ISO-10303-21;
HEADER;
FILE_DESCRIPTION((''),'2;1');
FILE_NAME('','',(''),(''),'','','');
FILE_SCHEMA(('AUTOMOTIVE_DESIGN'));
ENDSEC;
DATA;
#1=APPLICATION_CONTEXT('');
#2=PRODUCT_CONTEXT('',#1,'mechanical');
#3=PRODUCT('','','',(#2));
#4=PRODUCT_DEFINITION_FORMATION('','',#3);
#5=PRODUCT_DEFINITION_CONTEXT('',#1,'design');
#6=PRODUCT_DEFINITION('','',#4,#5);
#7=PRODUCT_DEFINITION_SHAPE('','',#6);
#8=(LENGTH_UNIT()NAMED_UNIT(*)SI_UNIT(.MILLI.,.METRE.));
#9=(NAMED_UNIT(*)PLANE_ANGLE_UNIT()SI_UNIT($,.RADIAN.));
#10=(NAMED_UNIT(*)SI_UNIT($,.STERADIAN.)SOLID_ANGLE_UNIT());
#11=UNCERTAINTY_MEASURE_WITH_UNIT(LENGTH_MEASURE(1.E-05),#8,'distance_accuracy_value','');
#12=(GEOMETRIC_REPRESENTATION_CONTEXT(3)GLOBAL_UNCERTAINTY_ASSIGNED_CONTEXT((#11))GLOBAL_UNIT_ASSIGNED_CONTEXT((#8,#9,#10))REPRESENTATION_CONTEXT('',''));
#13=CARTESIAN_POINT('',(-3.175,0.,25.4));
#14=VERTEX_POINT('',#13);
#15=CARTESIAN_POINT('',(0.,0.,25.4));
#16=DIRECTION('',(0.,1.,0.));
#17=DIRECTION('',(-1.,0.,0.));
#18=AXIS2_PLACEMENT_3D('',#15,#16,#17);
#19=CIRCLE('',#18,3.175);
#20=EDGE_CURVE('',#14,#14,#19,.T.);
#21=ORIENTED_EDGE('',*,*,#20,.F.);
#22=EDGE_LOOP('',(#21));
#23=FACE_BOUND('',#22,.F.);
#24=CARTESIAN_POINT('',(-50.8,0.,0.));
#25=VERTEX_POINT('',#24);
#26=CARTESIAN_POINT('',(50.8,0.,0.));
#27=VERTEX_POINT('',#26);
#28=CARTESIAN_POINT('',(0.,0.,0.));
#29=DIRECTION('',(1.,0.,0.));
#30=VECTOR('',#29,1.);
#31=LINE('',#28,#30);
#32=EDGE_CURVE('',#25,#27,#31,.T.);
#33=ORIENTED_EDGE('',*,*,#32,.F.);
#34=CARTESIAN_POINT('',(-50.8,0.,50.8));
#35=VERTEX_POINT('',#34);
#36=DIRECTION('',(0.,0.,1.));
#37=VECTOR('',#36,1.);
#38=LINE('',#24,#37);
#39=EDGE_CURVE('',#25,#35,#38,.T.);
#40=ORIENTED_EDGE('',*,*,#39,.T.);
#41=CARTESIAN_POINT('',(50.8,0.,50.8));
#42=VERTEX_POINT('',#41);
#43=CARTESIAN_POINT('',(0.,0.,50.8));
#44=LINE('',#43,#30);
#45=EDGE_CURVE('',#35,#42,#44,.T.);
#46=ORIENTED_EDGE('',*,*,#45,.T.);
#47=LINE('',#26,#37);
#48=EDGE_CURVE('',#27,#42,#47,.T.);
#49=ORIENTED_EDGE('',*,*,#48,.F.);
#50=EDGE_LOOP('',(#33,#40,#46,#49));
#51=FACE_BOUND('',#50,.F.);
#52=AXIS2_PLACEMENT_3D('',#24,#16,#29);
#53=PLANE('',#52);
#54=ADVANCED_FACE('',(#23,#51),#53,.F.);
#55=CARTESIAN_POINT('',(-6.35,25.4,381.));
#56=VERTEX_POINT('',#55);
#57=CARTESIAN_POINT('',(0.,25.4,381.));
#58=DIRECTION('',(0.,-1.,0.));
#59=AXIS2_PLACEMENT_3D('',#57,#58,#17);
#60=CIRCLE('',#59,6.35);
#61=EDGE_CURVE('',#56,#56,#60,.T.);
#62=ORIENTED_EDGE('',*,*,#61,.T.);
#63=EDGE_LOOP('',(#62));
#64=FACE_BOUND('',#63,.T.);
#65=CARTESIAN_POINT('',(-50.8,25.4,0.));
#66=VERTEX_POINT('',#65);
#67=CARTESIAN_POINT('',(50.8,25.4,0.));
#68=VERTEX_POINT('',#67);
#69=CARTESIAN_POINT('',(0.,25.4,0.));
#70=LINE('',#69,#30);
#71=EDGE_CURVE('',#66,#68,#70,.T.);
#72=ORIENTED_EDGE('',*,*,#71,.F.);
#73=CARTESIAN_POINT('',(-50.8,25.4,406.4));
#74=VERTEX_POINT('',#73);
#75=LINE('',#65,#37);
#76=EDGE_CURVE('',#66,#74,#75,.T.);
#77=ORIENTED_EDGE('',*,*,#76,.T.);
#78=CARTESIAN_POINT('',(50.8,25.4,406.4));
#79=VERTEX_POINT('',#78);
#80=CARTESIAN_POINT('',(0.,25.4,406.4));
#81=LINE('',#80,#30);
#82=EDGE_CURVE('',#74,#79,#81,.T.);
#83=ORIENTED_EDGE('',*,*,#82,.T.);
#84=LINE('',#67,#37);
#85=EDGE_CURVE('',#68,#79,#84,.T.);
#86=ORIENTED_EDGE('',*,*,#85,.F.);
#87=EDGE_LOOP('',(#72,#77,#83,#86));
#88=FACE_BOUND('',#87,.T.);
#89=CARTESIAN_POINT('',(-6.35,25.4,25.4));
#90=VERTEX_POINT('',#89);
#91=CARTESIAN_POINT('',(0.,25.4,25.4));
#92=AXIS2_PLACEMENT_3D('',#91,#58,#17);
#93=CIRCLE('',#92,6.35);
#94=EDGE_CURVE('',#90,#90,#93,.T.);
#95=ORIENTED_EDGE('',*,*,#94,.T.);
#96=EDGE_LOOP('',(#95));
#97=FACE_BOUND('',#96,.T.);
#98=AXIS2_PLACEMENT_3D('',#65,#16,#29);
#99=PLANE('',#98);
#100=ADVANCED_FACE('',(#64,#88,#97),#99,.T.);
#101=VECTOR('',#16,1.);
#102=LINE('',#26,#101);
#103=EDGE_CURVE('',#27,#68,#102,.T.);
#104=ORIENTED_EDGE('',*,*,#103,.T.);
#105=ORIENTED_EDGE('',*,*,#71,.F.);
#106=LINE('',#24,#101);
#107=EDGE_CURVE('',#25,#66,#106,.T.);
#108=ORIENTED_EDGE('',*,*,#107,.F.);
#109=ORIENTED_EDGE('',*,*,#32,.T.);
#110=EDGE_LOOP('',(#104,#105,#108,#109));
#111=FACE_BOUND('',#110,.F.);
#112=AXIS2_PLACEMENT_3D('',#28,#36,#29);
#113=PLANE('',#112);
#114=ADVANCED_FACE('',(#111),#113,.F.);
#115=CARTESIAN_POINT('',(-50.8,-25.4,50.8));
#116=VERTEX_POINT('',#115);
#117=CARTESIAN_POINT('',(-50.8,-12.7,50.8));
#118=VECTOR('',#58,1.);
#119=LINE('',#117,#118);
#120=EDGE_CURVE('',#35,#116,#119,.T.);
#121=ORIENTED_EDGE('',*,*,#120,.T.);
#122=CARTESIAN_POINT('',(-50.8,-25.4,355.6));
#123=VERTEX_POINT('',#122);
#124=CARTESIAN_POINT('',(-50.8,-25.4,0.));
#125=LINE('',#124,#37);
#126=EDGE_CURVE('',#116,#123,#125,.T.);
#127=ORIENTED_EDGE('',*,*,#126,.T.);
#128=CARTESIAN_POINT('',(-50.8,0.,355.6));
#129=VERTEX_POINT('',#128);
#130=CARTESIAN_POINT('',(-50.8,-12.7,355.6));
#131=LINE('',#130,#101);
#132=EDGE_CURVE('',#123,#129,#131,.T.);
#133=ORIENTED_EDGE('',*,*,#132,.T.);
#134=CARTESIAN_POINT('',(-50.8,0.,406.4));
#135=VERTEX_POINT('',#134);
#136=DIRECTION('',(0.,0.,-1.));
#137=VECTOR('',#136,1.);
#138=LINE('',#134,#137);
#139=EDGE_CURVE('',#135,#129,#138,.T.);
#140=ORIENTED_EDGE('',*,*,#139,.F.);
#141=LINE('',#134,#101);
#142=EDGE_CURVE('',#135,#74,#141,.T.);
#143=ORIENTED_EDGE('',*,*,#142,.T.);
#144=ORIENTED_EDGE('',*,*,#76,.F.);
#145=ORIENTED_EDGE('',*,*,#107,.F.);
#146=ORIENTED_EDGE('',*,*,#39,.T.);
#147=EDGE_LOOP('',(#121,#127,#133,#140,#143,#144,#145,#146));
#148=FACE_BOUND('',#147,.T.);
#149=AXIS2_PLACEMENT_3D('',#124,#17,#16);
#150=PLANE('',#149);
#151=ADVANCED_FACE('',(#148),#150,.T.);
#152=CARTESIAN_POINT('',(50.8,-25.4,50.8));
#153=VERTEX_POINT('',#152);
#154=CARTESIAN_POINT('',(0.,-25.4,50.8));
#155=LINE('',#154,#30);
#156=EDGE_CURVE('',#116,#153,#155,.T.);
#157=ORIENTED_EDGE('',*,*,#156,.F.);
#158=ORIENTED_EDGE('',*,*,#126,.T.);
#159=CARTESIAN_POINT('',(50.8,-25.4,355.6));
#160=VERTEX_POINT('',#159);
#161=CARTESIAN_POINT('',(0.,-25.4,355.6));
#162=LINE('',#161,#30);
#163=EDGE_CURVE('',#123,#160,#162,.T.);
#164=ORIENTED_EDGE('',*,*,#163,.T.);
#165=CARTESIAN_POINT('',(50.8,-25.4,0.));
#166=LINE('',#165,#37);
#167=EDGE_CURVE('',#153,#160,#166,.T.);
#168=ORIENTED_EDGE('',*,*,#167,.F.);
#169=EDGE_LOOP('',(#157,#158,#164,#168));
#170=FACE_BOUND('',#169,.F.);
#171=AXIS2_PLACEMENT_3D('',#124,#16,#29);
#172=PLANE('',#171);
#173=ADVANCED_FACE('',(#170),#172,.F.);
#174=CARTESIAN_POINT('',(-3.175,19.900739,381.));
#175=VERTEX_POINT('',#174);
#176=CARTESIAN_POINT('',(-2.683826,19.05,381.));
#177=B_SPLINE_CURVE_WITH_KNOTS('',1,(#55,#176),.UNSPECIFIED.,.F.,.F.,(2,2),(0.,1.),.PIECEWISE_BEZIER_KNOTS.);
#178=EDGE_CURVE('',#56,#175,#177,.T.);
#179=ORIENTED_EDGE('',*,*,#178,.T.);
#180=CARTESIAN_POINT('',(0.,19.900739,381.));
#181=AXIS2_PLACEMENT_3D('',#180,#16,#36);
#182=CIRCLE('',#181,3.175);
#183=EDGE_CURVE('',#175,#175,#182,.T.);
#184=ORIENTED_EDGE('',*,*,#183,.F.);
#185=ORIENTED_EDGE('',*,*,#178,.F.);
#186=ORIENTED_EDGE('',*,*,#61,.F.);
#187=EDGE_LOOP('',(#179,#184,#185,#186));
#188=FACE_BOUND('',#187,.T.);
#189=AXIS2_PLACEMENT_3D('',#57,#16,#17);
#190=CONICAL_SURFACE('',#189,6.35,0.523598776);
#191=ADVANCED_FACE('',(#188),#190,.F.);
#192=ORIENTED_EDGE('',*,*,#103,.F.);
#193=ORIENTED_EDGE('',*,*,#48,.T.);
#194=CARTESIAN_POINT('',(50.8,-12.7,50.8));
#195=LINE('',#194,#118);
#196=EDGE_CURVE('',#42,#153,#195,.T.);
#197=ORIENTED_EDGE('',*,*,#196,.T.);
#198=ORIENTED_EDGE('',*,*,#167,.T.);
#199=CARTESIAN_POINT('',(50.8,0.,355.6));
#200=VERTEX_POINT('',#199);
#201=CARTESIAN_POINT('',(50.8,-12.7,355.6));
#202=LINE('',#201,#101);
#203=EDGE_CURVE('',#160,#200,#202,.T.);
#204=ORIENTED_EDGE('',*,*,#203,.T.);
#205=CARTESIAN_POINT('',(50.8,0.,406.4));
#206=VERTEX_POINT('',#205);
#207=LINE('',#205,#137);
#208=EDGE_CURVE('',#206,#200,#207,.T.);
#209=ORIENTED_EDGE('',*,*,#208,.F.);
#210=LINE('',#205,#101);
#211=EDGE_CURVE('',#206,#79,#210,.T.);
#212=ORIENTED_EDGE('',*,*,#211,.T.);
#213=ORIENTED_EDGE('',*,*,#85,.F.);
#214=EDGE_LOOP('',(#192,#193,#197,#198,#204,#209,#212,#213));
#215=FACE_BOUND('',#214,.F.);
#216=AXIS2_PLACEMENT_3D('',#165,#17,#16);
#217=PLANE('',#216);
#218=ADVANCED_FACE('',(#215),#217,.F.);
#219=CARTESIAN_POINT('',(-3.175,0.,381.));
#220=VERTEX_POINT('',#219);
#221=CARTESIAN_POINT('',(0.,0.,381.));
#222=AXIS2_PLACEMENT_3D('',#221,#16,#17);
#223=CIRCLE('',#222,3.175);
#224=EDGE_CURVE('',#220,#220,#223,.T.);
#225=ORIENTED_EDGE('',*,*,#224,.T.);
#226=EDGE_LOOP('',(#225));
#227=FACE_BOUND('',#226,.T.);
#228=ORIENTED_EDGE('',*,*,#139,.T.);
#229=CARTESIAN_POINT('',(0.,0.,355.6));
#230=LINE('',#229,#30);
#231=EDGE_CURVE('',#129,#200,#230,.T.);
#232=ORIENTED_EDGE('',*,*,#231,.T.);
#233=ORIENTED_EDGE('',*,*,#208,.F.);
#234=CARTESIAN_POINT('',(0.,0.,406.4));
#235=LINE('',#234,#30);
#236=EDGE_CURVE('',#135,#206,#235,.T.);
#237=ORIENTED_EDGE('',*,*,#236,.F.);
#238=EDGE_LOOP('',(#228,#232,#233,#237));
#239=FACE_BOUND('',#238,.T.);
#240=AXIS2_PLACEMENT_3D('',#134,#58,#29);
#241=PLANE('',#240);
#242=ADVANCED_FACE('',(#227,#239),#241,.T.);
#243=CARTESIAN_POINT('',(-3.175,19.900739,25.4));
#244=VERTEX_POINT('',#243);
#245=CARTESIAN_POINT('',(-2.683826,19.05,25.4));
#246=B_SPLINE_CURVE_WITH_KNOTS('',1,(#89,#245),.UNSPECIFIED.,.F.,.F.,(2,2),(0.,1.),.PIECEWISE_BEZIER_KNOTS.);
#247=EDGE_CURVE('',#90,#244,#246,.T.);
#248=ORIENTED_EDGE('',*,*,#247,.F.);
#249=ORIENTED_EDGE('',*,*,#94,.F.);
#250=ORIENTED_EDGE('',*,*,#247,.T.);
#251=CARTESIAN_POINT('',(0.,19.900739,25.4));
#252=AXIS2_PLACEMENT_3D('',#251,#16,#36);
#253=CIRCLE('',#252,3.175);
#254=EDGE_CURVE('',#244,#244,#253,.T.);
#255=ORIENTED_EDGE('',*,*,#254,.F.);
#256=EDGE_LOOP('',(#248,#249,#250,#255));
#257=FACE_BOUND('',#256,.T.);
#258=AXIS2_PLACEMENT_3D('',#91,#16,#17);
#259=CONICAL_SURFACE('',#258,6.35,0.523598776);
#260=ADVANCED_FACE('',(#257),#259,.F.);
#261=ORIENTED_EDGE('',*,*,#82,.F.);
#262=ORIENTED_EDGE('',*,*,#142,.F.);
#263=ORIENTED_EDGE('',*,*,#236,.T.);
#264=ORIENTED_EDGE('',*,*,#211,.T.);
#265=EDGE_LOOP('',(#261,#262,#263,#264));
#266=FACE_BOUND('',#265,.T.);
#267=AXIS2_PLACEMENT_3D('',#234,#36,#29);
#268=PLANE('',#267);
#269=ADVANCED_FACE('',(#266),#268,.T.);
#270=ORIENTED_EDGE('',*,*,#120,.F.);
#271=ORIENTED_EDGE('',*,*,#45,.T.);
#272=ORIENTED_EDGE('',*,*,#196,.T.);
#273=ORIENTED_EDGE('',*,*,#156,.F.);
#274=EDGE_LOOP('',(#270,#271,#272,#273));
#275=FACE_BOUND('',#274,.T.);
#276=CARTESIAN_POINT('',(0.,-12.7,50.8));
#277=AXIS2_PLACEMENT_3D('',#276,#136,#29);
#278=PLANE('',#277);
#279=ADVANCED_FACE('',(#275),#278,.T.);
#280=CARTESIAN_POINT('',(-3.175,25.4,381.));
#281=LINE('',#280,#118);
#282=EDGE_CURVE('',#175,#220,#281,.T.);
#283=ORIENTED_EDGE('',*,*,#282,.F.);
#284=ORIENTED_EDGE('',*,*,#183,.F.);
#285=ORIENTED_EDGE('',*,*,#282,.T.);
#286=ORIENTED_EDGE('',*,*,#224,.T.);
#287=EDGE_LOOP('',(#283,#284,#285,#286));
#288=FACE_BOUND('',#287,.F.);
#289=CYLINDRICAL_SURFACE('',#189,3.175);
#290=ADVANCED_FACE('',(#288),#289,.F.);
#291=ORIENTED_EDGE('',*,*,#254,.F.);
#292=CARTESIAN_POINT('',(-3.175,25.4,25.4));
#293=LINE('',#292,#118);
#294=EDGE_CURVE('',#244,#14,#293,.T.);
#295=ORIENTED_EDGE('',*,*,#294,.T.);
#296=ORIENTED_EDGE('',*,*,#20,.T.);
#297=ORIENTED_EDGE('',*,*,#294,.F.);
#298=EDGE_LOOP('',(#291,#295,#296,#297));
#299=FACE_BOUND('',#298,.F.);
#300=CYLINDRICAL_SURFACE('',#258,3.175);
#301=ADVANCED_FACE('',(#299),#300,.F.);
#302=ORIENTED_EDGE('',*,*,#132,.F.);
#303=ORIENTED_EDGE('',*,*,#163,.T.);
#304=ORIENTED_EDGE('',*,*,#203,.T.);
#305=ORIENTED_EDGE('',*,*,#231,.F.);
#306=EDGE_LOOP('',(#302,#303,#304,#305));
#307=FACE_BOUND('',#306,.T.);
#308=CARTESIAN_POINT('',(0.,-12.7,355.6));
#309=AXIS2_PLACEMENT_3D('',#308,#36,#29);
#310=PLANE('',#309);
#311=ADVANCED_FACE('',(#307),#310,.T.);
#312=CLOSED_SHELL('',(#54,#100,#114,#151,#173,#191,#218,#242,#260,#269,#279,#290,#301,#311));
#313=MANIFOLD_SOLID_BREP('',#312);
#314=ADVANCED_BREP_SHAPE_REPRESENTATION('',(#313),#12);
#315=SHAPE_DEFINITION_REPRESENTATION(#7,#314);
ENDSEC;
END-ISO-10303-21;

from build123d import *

# Parameters (mm, degrees)
F0_W     = 101.6
F0_H     = 50.8
F1_DEPTH = 406.4
F2_W     = 101.6
F2_H     = 25.4
F3_DEPTH = 50.8
F4_W     = 101.6
F4_H     = 25.4
F5_DEPTH = 50.8
F6_R     = 3.175
F7_DEPTH = 50.801
F8_R     = 6.35
F9_DEPTH = 6.35
F9_TAPER = 30


with BuildPart() as f1:
    # F0 (on Top) → F1 (new body)
    with BuildSketch(Plane.XY):
        Rectangle(F0_W, F0_H)
    extrude(amount=F1_DEPTH)

    # F2 (on face) → F3 (cut)
    with BuildSketch(Plane.XY.offset(406.4)):
        with Locations((0, -12.7)):
            Rectangle(F2_W, F2_H)
    extrude(amount=-F3_DEPTH, mode=Mode.SUBTRACT)

    # F4 (on face) → F5 (cut)
    with BuildSketch(Plane(origin=(0, 0, 0), x_dir=(1, 0, 0), z_dir=(0, 0, -1))):
        with Locations((0, 12.7)):
            Rectangle(F4_W, F4_H)
    extrude(amount=-F5_DEPTH, mode=Mode.SUBTRACT)

    # F6 (on face) → F7 (cut, through all)
    with BuildSketch(Plane(origin=(0, 25.4, 0), x_dir=(-1, 0, 0), z_dir=(0, 1, 0))):
        with Locations((0, 381)):
            Circle(F6_R)
        with Locations((0, 25.4)):
            Circle(F6_R)
    extrude(amount=-F7_DEPTH, mode=Mode.SUBTRACT)

    # F8 (on face) → F9 (cut)
    with BuildSketch(Plane(origin=(0, 25.4, 0), x_dir=(-1, 0, 0), z_dir=(0, 1, 0))):
        with Locations((0, 381)):
            Circle(F8_R)
        with Locations((0, 25.4)):
            Circle(F8_R)
    extrude(amount=-F9_DEPTH, taper=F9_TAPER, mode=Mode.SUBTRACT)


solid = f1.part
